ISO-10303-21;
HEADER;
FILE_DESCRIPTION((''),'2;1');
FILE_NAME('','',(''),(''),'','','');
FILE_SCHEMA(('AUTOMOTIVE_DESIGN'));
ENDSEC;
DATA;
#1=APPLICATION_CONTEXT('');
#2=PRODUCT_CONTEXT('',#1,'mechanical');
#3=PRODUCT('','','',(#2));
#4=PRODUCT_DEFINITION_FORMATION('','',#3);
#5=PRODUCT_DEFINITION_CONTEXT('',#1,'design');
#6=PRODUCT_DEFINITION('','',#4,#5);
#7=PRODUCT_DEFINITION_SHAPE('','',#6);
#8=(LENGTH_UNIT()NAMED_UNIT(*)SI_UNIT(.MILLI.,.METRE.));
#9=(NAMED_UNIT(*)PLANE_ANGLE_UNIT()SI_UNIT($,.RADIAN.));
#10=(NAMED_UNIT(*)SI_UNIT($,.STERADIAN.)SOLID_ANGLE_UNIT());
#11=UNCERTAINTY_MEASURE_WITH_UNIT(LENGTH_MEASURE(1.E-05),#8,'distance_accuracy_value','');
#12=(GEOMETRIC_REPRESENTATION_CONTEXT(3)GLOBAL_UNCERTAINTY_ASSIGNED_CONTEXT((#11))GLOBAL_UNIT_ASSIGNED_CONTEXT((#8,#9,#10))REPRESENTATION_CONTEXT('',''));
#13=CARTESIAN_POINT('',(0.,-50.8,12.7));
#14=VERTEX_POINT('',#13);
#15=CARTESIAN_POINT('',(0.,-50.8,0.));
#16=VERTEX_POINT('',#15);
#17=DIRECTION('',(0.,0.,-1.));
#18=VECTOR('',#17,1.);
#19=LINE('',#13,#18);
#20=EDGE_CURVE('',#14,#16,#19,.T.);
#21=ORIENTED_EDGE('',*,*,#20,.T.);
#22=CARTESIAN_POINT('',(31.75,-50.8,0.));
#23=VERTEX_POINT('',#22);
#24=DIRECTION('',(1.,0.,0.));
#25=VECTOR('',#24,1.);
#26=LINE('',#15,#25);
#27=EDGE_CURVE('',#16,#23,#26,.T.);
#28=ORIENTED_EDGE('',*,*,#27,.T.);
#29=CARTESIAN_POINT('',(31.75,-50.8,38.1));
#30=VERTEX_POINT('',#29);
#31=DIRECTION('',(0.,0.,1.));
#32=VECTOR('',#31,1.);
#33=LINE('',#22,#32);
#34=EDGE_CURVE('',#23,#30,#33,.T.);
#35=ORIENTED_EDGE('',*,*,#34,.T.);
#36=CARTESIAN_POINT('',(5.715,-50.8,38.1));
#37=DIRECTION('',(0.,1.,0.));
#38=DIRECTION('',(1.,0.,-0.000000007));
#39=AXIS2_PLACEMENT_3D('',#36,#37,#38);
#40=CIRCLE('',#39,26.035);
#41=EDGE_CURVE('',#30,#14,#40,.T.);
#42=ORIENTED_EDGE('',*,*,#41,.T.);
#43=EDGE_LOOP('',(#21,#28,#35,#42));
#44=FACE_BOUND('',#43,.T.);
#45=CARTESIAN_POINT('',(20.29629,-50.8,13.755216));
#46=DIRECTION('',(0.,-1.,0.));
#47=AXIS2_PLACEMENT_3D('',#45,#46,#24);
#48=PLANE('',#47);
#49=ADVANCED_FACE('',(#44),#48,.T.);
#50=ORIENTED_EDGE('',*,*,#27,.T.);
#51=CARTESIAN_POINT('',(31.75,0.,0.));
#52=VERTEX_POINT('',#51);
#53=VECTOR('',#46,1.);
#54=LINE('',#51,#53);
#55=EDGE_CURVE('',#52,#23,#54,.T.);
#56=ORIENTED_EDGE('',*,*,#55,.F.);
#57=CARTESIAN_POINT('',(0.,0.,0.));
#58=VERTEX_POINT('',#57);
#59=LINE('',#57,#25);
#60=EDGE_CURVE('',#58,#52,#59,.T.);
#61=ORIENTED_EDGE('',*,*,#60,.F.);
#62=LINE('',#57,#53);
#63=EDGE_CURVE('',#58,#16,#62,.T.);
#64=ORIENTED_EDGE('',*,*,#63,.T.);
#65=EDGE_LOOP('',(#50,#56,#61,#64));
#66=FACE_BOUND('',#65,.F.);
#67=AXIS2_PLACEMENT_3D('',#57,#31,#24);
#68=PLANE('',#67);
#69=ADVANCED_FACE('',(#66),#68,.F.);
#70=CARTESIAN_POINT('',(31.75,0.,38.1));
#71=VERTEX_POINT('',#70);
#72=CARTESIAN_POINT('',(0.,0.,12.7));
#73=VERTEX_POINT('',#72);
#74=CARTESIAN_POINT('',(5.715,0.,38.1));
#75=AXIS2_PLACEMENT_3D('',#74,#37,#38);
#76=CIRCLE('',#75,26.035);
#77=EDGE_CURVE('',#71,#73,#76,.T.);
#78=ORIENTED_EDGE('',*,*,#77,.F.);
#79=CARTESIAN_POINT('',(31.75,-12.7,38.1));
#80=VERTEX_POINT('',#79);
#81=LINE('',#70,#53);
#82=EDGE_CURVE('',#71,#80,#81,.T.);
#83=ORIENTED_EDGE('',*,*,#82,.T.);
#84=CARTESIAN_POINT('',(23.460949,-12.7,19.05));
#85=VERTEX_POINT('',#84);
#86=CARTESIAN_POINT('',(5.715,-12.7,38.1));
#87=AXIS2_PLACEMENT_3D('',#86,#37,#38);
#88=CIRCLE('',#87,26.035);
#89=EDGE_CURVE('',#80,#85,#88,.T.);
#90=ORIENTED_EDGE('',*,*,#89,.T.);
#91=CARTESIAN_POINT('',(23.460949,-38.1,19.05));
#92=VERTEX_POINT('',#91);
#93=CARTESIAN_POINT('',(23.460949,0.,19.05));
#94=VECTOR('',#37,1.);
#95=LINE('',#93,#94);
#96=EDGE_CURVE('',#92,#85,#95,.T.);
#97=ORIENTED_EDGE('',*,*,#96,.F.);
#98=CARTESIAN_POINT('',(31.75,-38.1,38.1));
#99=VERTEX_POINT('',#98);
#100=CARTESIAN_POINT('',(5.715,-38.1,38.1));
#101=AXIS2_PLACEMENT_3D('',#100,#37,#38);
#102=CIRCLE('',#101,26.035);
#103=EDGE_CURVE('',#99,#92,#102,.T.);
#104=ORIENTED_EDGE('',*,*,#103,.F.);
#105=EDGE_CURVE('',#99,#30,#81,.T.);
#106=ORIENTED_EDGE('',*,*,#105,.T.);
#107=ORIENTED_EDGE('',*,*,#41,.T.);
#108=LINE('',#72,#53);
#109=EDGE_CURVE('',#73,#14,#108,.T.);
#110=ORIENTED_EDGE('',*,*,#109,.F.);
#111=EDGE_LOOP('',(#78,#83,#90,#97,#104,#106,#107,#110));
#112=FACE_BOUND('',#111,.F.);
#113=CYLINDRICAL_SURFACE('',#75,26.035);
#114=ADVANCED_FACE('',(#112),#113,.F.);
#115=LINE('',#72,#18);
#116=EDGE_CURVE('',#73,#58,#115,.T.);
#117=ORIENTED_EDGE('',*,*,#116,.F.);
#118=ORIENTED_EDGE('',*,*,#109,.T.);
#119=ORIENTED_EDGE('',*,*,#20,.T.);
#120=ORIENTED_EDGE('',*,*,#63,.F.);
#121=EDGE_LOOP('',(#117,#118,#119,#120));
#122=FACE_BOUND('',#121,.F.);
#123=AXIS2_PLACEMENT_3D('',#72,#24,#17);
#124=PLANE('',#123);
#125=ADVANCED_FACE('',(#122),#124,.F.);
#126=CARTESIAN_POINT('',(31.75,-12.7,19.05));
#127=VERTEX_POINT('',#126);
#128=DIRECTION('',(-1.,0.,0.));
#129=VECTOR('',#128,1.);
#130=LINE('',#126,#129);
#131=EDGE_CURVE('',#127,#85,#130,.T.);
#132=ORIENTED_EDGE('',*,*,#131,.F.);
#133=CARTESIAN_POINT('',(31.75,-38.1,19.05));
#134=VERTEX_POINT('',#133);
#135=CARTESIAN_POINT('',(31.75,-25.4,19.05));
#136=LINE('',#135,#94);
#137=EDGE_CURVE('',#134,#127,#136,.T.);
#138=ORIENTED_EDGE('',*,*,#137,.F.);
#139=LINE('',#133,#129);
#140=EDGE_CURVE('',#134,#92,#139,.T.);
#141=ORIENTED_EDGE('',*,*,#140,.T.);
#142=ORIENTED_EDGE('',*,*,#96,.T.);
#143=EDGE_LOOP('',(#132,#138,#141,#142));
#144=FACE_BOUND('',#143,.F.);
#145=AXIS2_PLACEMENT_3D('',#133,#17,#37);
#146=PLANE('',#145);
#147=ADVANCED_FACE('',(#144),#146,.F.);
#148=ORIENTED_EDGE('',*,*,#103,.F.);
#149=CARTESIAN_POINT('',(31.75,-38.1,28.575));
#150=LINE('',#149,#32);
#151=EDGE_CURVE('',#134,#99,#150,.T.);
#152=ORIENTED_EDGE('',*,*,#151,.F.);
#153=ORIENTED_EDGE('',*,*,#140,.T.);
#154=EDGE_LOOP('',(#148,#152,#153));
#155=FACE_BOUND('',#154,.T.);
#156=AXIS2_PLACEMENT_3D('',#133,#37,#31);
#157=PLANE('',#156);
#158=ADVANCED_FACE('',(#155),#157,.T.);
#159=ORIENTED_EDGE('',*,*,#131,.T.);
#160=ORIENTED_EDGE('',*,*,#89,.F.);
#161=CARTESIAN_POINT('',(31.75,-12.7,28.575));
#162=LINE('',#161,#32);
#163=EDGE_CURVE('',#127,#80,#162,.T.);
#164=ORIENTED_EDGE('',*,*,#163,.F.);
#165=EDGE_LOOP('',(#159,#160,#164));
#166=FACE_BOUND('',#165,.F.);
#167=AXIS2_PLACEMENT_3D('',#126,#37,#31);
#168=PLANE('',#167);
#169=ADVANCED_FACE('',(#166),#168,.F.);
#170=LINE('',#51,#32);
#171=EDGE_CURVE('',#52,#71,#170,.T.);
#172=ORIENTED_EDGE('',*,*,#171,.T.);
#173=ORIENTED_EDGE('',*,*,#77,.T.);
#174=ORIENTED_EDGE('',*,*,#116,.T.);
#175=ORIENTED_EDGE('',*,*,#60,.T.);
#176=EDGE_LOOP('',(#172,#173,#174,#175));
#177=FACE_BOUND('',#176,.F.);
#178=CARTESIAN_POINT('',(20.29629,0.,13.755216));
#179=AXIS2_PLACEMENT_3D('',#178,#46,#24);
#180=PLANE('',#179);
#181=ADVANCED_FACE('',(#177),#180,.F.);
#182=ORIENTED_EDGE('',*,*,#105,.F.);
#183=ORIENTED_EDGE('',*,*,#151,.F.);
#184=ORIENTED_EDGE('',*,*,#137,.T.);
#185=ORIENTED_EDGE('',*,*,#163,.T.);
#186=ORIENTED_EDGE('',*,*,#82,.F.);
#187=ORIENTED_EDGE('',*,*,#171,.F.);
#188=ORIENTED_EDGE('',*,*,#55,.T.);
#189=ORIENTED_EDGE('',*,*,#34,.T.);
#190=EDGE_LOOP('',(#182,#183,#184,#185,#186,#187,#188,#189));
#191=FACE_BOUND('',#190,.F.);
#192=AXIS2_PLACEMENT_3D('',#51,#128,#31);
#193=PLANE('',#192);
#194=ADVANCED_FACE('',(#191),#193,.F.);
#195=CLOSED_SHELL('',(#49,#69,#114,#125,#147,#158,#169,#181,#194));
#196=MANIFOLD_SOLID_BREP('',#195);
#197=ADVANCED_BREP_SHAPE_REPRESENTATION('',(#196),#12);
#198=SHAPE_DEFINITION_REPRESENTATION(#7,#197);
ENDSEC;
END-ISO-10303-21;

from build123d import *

# Parameters (mm, degrees)
F1_DEPTH = 50.8
F2_W     = 25.4
F2_H     = 19.05
F3_DEPTH = 25.4


with BuildPart() as f1:
    # F0 (on Front) → F1 (new body)
    with BuildSketch(Plane.XZ):
        with BuildLine():
            Line((0, 12.7), (0, 0))
            Line((0, 0), (31.75, 0))
            Line((31.75, 0), (31.75, 38.1))
            ThreePointArc((31.75, 38.1), (21.978936, 17.770081), (0, 12.7))
        make_face()
    extrude(amount=F1_DEPTH)

    # F2 (on face) → F3 (cut)
    with BuildSketch(Plane.YZ.offset(31.75)):
        with Locations((-25.4, 28.575)):
            Rectangle(F2_W, F2_H)
    extrude(amount=-F3_DEPTH, mode=Mode.SUBTRACT)


solid = f1.part
